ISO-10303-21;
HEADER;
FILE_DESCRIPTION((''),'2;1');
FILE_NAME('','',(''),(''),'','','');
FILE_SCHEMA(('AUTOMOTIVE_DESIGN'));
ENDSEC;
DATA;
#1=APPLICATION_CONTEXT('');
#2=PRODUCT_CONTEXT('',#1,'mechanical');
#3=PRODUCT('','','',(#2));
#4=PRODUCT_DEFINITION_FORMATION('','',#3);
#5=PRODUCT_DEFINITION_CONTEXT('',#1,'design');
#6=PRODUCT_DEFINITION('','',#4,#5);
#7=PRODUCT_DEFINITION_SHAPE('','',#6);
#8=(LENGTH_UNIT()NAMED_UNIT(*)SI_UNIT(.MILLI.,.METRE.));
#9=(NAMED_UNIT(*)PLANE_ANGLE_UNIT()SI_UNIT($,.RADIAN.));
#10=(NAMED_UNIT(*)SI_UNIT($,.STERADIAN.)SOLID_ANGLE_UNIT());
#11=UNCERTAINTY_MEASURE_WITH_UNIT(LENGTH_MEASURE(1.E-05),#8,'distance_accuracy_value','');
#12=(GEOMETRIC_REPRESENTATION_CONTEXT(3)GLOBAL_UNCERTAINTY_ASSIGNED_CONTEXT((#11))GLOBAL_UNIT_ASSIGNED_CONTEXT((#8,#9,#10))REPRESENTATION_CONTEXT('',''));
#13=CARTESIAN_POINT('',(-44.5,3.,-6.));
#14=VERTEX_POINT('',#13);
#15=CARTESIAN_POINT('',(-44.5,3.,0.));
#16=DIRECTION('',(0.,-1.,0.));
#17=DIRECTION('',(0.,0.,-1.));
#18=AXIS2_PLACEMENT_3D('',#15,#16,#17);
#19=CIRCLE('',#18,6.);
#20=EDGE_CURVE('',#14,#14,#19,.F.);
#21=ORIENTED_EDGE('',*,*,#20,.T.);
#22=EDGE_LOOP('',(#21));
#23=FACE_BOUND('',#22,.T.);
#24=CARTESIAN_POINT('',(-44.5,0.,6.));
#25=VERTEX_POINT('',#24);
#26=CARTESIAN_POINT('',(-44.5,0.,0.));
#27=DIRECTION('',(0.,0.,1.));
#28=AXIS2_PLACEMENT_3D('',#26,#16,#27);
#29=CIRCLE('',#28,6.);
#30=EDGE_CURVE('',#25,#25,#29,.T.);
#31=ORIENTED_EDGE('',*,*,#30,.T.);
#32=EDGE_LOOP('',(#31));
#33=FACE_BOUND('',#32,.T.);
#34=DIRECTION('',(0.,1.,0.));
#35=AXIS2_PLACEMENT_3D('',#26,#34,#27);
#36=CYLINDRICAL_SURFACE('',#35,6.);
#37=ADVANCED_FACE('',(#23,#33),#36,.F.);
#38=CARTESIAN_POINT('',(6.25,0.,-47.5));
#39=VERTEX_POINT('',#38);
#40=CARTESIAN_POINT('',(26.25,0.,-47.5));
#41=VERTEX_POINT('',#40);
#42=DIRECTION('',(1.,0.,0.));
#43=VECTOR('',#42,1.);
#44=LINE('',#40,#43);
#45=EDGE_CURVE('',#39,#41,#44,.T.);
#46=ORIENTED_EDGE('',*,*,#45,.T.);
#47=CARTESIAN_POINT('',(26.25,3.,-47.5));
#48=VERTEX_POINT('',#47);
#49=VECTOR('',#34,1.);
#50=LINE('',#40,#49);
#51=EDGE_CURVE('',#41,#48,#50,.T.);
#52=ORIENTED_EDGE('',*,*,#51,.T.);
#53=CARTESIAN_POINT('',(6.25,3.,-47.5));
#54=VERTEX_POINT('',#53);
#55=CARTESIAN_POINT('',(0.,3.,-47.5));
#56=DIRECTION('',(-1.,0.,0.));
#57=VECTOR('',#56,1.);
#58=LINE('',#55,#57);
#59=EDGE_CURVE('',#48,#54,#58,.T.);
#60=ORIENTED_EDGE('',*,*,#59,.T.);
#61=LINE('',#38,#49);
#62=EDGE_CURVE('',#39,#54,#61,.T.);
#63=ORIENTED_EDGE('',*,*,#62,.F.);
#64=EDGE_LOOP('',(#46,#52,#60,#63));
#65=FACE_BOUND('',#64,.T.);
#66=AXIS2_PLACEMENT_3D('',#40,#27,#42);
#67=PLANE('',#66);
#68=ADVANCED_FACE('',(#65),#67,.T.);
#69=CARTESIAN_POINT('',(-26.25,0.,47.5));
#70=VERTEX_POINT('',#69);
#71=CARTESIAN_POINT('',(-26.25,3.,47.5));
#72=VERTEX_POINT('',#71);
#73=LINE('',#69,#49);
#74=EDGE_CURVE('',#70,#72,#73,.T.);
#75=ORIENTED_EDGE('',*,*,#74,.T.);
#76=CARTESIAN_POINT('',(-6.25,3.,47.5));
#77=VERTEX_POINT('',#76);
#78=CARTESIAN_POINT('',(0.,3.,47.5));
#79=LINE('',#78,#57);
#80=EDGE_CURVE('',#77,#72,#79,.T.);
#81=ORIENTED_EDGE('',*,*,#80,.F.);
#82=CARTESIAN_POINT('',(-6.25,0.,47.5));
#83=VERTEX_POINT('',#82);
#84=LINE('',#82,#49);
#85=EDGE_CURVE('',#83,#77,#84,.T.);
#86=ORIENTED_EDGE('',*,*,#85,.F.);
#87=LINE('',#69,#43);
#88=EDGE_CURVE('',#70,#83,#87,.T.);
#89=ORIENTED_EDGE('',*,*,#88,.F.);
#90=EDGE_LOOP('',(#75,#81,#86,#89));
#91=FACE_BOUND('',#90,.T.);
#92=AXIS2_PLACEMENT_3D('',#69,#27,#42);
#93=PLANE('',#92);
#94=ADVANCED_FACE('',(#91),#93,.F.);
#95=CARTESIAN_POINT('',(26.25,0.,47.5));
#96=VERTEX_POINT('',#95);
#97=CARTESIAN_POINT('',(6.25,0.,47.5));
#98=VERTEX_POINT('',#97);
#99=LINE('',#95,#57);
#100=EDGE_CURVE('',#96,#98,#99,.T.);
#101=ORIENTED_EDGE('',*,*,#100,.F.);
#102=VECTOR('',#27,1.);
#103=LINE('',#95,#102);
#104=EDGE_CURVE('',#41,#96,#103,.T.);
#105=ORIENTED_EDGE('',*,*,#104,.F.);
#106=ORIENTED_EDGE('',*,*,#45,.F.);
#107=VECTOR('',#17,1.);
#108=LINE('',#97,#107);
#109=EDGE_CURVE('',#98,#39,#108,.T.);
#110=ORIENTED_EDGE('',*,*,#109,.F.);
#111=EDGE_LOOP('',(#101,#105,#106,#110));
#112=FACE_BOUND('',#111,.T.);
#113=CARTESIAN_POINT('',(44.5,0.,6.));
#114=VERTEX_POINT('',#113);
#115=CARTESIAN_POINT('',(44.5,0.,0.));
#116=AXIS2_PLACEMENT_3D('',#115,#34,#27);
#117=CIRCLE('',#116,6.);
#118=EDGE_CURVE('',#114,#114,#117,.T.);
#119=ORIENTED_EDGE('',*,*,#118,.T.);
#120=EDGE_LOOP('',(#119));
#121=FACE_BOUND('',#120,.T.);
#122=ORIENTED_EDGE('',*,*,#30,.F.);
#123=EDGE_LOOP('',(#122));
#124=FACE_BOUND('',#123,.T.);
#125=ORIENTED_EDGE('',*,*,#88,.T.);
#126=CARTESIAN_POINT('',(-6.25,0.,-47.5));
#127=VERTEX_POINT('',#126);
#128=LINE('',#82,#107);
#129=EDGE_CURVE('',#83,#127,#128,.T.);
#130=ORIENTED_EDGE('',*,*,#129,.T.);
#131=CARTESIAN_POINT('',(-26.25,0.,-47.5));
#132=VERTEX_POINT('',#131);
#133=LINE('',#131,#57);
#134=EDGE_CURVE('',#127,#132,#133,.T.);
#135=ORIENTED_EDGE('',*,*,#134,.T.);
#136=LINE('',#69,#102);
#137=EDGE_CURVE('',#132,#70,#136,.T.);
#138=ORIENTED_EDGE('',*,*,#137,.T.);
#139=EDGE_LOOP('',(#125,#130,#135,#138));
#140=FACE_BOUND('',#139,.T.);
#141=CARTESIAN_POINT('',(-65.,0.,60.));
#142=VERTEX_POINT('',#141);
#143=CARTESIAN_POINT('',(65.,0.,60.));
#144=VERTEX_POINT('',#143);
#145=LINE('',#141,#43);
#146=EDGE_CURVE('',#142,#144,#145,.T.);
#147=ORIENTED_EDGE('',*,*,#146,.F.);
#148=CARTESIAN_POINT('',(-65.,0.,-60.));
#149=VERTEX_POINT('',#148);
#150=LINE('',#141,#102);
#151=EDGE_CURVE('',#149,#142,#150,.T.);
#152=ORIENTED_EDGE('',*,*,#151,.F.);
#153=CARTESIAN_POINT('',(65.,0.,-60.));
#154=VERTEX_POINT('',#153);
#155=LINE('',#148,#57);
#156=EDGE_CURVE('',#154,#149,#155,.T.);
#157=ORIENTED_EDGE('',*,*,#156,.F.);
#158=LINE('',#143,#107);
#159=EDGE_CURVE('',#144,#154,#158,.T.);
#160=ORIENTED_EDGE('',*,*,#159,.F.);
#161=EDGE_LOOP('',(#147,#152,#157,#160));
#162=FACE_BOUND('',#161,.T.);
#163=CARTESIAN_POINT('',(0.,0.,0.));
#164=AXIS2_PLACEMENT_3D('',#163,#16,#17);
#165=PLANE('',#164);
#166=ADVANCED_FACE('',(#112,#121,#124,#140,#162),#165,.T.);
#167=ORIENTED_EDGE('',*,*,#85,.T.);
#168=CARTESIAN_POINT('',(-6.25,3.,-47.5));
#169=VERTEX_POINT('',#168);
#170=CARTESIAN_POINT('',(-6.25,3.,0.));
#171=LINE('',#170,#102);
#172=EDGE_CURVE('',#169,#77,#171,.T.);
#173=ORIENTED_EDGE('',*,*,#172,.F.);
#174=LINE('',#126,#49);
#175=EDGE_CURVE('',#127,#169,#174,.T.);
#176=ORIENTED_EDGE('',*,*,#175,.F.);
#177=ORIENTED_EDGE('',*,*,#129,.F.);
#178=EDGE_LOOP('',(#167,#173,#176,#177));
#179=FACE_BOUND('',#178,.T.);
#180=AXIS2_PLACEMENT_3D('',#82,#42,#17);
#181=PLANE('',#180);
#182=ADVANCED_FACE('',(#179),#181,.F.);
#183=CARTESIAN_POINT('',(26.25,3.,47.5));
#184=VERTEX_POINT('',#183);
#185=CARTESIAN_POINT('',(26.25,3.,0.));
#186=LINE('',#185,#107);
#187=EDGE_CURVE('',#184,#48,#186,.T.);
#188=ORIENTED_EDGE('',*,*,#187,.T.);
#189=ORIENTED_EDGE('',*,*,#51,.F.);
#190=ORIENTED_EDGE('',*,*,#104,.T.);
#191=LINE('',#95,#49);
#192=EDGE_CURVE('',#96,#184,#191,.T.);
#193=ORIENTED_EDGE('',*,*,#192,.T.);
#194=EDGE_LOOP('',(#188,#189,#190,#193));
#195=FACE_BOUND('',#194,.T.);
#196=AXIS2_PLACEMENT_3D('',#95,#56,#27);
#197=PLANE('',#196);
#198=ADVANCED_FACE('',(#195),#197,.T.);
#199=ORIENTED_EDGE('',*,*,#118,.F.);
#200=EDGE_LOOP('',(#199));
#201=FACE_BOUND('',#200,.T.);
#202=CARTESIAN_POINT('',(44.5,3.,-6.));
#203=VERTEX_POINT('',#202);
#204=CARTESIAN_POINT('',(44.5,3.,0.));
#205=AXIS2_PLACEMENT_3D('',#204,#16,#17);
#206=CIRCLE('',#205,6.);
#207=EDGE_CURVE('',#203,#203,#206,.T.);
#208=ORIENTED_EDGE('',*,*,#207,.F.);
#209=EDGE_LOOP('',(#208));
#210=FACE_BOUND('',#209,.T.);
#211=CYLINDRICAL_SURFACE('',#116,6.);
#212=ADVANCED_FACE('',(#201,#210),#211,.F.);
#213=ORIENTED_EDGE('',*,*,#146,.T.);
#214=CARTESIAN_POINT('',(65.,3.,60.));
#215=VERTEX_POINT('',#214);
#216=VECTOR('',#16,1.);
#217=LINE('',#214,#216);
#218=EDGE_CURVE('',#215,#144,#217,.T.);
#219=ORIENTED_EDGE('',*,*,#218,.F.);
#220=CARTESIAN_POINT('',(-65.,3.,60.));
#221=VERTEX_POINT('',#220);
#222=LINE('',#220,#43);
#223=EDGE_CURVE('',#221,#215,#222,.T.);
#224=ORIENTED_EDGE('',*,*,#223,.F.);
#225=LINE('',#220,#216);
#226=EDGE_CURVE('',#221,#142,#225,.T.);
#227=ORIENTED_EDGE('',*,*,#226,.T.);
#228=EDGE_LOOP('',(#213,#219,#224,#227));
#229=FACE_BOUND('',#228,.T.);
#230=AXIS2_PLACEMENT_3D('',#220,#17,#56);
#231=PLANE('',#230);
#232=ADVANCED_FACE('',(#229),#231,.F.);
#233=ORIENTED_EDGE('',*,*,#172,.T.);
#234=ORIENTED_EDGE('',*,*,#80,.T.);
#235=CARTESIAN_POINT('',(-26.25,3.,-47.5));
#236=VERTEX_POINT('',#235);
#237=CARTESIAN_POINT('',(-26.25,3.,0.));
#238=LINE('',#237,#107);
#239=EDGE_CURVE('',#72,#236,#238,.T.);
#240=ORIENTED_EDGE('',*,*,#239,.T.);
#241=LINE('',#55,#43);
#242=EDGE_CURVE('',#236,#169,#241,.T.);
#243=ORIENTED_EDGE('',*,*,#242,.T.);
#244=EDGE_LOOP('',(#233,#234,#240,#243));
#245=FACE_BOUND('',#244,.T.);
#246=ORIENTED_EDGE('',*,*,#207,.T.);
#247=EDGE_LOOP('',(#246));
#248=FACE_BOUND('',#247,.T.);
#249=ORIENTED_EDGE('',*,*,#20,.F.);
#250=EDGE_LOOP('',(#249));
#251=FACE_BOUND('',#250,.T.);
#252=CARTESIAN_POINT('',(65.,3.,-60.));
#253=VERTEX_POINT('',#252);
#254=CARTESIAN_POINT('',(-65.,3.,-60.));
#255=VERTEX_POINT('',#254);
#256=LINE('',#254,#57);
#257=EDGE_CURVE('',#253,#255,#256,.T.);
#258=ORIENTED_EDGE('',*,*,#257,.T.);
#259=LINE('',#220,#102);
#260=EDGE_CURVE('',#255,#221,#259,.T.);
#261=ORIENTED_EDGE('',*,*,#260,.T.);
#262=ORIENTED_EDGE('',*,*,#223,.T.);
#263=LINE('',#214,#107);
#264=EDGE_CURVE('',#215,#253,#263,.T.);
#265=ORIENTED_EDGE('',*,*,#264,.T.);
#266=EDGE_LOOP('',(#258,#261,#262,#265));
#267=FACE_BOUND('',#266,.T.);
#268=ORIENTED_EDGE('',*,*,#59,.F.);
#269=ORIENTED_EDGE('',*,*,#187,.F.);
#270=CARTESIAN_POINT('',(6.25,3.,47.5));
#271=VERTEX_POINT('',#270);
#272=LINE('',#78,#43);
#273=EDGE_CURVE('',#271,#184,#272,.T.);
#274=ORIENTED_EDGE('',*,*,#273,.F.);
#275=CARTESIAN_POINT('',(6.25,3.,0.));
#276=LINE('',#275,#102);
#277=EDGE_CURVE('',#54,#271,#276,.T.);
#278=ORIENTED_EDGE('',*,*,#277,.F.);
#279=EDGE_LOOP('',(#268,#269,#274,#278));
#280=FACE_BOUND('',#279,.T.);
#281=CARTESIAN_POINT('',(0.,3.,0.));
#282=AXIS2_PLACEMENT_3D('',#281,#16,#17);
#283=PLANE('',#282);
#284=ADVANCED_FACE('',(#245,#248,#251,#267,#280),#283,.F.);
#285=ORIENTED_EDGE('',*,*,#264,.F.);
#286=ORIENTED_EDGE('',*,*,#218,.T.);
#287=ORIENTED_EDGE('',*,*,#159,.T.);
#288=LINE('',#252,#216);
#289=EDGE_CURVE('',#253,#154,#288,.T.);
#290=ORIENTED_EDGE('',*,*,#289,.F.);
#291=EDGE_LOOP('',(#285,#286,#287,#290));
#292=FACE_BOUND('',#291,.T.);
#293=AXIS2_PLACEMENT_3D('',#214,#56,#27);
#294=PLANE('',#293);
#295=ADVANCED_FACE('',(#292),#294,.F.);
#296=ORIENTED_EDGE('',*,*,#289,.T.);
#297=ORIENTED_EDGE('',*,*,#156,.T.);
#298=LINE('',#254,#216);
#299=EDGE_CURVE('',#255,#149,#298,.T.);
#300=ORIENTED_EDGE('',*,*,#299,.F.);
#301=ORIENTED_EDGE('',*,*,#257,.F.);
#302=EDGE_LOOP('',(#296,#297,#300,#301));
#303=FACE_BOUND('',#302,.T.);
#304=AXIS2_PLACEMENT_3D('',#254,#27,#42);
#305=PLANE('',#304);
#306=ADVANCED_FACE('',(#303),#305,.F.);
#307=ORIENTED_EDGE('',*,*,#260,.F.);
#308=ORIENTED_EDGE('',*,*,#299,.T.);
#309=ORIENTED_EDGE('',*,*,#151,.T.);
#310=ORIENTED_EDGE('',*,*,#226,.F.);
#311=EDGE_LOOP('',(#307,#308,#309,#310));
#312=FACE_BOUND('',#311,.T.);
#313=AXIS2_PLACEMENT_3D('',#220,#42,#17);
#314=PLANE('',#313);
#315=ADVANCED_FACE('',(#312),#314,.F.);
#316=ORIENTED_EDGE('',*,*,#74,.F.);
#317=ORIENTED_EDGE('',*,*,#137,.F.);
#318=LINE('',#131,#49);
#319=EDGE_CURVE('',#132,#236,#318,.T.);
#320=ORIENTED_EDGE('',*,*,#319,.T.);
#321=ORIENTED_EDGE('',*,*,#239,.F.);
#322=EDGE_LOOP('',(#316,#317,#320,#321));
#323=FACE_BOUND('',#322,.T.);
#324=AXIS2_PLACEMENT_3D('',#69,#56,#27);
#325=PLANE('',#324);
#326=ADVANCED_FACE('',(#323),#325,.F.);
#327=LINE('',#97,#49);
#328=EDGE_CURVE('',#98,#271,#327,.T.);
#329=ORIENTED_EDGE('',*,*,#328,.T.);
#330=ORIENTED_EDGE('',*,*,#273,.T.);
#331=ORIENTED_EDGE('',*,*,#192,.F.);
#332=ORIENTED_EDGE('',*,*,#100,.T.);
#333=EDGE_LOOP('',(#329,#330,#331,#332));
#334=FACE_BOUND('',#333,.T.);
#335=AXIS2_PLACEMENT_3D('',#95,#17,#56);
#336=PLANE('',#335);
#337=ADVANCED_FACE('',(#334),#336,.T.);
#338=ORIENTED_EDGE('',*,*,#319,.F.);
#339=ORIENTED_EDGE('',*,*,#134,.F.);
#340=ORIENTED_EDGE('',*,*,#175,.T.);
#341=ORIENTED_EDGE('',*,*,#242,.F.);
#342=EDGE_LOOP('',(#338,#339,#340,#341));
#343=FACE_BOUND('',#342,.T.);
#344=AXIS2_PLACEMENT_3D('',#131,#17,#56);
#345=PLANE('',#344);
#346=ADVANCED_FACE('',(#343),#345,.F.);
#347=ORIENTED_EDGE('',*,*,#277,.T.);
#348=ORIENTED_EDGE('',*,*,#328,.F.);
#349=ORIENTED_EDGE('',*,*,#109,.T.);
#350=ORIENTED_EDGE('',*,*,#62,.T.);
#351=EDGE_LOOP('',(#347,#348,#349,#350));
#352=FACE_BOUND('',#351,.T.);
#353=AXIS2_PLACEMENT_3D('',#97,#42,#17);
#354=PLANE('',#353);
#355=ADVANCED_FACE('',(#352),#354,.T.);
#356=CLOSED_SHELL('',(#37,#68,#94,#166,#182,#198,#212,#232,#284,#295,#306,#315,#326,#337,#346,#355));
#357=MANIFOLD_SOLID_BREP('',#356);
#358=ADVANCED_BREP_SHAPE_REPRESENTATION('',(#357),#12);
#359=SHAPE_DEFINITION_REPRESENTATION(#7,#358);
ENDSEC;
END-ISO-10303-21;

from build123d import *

# Parameters (mm, degrees)
SKETCH1_W           = 130
SKETCH1_H           = 120
BOSS_EXTRUDE1_DEPTH = 3
CUT_EXTRUDE1_START  = -4
SKETCH2_W           = 20
SKETCH2_H           = 95
CUT_EXTRUDE1_DEPTH  = 5
CUT_EXTRUDE2_START  = -4
SKETCH3_R           = 6
CUT_EXTRUDE2_DEPTH  = 5


with BuildPart() as part:
    # Sketch1 → Boss-Extrude1 (new body)
    with BuildSketch(Plane(origin=(0, 0, 0), x_dir=(1, 0, 0), z_dir=(0, 1, 0))):
        Rectangle(SKETCH1_W, SKETCH1_H)
    extrude(amount=BOSS_EXTRUDE1_DEPTH)

    # Sketch2 → Cut-Extrude1 (cut)
    with BuildSketch(Plane(origin=(0, 3, 0), x_dir=(1, 0, 0), z_dir=(0, 1, 0)).offset(CUT_EXTRUDE1_START)):
        with Locations((-16.25, 0)):
            Rectangle(SKETCH2_W, SKETCH2_H)
    cut_extrude1 = extrude(amount=CUT_EXTRUDE1_DEPTH, mode=Mode.SUBTRACT)

    # Mirror1: Cut-Extrude1 across plane
    add(cut_extrude1.mirror(Plane(origin=(0, 0, 0), x_dir=(0, 0, 1), z_dir=(1, 0, 0))), mode=Mode.SUBTRACT)

    # Sketch3 → Cut-Extrude2 (cut)
    with BuildSketch(Plane(origin=(0, 3, 0), x_dir=(1, 0, 0), z_dir=(0, 1, 0)).offset(CUT_EXTRUDE2_START)):
        with Locations((44.5, 0)):
            Circle(SKETCH3_R)
    cut_extrude2 = extrude(amount=CUT_EXTRUDE2_DEPTH, mode=Mode.SUBTRACT)

    # Mirror2: Cut-Extrude2 across plane
    add(cut_extrude2.mirror(Plane(origin=(0, 0, 0), x_dir=(0, 0, 1), z_dir=(1, 0, 0))), mode=Mode.SUBTRACT)


solid = part.part
